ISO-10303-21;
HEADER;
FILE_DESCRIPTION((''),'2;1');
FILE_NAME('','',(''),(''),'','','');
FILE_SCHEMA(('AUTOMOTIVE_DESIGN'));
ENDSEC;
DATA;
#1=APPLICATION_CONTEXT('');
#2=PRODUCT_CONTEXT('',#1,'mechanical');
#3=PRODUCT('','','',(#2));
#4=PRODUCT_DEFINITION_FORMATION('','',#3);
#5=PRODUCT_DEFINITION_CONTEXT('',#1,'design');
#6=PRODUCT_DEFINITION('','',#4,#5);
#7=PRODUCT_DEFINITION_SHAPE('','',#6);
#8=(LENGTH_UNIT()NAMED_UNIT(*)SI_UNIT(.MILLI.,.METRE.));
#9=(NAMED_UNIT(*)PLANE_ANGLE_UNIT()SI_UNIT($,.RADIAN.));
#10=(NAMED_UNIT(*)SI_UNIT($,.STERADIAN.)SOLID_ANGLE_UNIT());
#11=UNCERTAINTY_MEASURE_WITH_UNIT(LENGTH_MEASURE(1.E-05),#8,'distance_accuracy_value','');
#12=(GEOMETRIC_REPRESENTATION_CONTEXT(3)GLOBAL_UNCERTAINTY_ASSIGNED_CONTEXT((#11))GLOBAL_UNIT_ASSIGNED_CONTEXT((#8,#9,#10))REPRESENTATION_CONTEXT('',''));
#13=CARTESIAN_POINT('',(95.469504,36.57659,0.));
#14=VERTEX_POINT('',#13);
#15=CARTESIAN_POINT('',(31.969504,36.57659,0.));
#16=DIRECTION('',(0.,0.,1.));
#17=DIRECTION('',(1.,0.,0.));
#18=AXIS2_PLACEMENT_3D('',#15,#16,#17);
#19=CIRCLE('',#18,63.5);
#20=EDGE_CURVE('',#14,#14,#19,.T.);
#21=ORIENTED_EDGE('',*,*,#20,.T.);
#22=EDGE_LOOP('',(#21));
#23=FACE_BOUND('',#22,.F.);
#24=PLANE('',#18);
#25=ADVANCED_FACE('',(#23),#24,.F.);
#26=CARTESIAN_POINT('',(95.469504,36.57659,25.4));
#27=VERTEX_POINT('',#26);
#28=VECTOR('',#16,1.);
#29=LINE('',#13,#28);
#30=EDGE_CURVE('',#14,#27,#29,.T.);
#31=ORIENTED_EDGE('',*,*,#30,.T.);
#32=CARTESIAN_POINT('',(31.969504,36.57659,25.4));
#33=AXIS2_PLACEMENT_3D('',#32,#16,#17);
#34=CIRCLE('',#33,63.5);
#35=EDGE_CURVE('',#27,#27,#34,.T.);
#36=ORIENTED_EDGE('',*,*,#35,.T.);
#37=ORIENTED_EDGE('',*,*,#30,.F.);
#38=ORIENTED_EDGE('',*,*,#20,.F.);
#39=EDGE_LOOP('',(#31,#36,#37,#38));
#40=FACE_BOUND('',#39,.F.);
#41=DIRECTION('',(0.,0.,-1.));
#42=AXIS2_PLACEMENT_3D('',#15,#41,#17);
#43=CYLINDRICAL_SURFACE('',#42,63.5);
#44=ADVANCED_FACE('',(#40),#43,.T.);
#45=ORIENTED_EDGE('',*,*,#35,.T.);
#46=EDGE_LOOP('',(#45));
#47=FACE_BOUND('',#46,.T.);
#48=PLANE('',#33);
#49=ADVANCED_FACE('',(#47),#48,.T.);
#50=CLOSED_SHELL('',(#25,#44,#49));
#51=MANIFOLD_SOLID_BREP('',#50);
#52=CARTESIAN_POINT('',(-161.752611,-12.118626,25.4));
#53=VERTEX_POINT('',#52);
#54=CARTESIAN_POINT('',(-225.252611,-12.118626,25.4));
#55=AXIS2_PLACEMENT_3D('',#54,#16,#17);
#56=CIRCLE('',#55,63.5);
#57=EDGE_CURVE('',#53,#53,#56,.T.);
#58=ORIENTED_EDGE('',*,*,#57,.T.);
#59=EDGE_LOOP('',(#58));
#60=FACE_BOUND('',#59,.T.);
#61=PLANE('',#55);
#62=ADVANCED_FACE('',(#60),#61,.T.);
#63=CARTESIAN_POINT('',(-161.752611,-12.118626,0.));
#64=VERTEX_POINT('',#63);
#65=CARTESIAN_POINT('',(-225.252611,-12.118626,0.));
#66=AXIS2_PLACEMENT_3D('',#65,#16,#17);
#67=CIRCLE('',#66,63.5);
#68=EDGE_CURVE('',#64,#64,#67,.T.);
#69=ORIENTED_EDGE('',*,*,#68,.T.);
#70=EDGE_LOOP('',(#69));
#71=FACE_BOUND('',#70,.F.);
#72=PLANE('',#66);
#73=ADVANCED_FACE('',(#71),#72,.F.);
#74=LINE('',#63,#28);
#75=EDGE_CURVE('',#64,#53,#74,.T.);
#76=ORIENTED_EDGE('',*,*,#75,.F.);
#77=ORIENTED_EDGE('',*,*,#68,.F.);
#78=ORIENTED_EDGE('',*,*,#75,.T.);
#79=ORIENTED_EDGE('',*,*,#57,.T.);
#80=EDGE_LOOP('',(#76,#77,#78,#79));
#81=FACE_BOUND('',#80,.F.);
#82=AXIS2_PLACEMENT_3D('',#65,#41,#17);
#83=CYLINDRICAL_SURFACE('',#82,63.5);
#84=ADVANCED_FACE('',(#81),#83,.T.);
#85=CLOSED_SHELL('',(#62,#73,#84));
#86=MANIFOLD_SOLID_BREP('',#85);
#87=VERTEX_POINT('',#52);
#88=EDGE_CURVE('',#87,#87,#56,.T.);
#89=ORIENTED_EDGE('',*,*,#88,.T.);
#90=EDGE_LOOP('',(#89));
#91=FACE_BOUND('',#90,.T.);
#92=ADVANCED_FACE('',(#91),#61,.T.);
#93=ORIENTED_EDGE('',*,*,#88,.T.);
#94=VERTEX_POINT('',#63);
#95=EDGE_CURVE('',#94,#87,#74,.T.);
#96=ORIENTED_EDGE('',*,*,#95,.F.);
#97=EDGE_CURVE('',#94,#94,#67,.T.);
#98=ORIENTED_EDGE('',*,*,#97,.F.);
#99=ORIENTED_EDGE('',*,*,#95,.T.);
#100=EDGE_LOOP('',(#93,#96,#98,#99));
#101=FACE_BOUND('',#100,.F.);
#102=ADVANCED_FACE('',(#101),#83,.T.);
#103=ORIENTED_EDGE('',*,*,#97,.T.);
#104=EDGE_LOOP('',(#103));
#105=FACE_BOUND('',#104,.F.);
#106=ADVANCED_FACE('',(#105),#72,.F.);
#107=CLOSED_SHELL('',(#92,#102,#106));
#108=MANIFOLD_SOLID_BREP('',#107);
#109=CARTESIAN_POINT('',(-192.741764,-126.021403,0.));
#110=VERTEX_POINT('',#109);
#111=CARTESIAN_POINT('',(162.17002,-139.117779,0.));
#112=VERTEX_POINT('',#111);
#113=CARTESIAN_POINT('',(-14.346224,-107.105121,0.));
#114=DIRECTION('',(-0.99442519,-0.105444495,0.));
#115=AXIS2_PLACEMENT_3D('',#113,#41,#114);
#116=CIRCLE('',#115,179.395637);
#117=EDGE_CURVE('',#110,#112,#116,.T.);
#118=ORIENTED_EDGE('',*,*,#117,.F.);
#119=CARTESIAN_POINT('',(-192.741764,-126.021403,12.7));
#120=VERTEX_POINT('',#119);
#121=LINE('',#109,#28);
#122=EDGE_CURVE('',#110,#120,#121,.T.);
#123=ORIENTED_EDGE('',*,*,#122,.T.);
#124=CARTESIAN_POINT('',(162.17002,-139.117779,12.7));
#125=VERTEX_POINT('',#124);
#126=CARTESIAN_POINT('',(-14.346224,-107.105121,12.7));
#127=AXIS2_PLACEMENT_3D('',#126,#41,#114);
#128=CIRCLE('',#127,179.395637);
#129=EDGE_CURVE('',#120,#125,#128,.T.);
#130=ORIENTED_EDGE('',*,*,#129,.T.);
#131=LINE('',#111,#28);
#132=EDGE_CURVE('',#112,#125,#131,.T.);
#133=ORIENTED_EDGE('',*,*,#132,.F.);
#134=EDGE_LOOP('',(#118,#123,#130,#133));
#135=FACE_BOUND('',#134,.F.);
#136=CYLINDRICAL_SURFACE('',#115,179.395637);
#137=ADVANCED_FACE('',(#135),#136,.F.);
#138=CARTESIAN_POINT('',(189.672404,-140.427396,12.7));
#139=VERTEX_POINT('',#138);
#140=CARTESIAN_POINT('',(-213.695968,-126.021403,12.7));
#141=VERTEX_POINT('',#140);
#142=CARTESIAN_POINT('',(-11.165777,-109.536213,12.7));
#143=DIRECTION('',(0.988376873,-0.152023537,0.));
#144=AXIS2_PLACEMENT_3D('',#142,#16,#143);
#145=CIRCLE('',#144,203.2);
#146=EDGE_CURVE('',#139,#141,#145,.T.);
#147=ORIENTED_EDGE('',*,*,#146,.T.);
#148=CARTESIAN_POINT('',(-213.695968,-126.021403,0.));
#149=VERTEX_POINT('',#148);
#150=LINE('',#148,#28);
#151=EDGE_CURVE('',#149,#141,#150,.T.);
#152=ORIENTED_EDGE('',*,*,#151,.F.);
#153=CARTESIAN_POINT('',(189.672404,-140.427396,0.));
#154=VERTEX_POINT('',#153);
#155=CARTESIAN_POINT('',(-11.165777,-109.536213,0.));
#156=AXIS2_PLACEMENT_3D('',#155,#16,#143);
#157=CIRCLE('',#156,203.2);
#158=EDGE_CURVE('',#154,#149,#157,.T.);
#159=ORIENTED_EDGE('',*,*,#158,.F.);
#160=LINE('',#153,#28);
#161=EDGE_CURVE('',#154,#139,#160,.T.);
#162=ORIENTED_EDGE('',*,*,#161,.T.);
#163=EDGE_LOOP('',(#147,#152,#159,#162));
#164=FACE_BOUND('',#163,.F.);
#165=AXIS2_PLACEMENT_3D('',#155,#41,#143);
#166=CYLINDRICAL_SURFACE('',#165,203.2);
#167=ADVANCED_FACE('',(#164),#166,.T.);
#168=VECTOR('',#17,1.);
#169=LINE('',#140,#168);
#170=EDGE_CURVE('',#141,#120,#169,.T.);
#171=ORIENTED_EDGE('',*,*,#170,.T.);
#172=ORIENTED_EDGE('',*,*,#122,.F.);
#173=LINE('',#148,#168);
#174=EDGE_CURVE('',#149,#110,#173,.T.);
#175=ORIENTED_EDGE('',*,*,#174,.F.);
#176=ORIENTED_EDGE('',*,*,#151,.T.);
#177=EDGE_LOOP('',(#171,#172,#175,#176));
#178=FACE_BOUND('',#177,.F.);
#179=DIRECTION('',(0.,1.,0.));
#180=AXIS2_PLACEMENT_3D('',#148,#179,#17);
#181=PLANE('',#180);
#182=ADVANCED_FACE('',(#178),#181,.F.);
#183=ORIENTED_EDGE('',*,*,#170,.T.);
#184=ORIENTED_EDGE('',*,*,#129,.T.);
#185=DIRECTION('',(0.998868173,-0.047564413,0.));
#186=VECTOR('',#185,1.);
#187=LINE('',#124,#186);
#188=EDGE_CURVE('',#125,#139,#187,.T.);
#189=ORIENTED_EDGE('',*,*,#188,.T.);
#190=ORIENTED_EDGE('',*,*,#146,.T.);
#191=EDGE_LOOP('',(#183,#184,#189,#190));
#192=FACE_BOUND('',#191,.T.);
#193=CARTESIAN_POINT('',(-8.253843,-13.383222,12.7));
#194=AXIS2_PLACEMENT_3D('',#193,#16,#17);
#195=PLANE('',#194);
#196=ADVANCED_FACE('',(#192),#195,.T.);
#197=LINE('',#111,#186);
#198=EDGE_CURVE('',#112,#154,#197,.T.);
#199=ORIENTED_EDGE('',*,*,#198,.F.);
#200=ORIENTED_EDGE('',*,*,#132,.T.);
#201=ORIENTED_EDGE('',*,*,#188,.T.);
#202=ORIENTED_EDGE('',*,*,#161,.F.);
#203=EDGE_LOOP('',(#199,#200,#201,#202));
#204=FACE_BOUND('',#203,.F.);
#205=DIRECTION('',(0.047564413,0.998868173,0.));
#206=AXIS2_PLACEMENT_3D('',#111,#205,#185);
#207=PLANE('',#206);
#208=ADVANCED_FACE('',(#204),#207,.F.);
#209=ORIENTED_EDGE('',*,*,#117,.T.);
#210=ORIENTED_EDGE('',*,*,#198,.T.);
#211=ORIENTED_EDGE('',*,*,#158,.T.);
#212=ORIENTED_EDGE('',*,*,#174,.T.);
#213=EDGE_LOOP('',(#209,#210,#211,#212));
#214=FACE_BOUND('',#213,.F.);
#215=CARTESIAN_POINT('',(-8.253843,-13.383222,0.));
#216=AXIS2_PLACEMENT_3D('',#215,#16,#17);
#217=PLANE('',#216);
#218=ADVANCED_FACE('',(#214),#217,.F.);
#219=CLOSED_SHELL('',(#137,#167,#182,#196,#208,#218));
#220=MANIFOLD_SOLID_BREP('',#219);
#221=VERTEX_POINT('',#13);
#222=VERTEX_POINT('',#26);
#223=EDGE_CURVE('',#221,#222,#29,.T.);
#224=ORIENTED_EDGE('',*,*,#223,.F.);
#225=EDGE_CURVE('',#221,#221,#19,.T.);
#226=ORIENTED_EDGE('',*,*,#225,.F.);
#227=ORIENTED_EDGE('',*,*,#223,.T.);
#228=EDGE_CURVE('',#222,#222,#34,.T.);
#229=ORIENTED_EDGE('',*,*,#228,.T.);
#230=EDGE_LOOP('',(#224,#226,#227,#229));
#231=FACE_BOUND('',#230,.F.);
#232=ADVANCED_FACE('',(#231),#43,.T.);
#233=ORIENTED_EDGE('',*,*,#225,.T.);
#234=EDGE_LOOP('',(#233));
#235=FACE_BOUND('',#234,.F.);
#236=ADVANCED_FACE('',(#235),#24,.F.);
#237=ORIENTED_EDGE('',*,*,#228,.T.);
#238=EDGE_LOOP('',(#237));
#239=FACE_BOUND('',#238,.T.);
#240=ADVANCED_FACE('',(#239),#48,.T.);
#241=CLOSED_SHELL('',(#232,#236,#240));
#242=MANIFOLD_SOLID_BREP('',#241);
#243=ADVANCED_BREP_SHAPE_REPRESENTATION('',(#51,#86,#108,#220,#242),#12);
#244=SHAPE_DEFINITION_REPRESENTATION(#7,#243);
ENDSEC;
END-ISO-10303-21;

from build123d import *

# Parameters (mm, degrees)
F0_R     = 63.5
F1_DEPTH = 25.4
F3_DEPTH = 12.7
F4_DEPTH = 25.4


with BuildPart() as f1:
    # F0 (on Top) → F1 (new body)
    with BuildSketch(Plane.XY):
        with Locations((-225.252611, -12.118626)):
            Circle(F0_R)
        with Locations((31.969504, 36.57659)):
            Circle(F0_R)
    extrude(amount=F1_DEPTH)


with BuildPart() as f3:
    # F2 (on Top) → F3 (new body)
    with BuildSketch(Plane.XY):
        with BuildLine():
            Line((162.17002, -139.117779), (189.672404, -140.427396))
            ThreePointArc((189.672404, -140.427396), (-3.913268, 93.534319), (-213.695968, -126.021403))
            Line((-213.695968, -126.021403), (-192.741764, -126.021403))
            ThreePointArc((-192.741764, -126.021403), (-7.730961, 72.168505), (162.17002, -139.117779))
        make_face()
    extrude(amount=F3_DEPTH)


with BuildPart() as f4:
    # F0 (on Top) → F4 (new body)
    with BuildSketch(Plane.XY):
        with Locations((-225.252611, -12.118626)):
            Circle(F0_R)
        with Locations((31.969504, 36.57659)):
            Circle(F0_R)
    extrude(amount=F4_DEPTH)


solid = Compound([f1.part, f3.part, f4.part])
